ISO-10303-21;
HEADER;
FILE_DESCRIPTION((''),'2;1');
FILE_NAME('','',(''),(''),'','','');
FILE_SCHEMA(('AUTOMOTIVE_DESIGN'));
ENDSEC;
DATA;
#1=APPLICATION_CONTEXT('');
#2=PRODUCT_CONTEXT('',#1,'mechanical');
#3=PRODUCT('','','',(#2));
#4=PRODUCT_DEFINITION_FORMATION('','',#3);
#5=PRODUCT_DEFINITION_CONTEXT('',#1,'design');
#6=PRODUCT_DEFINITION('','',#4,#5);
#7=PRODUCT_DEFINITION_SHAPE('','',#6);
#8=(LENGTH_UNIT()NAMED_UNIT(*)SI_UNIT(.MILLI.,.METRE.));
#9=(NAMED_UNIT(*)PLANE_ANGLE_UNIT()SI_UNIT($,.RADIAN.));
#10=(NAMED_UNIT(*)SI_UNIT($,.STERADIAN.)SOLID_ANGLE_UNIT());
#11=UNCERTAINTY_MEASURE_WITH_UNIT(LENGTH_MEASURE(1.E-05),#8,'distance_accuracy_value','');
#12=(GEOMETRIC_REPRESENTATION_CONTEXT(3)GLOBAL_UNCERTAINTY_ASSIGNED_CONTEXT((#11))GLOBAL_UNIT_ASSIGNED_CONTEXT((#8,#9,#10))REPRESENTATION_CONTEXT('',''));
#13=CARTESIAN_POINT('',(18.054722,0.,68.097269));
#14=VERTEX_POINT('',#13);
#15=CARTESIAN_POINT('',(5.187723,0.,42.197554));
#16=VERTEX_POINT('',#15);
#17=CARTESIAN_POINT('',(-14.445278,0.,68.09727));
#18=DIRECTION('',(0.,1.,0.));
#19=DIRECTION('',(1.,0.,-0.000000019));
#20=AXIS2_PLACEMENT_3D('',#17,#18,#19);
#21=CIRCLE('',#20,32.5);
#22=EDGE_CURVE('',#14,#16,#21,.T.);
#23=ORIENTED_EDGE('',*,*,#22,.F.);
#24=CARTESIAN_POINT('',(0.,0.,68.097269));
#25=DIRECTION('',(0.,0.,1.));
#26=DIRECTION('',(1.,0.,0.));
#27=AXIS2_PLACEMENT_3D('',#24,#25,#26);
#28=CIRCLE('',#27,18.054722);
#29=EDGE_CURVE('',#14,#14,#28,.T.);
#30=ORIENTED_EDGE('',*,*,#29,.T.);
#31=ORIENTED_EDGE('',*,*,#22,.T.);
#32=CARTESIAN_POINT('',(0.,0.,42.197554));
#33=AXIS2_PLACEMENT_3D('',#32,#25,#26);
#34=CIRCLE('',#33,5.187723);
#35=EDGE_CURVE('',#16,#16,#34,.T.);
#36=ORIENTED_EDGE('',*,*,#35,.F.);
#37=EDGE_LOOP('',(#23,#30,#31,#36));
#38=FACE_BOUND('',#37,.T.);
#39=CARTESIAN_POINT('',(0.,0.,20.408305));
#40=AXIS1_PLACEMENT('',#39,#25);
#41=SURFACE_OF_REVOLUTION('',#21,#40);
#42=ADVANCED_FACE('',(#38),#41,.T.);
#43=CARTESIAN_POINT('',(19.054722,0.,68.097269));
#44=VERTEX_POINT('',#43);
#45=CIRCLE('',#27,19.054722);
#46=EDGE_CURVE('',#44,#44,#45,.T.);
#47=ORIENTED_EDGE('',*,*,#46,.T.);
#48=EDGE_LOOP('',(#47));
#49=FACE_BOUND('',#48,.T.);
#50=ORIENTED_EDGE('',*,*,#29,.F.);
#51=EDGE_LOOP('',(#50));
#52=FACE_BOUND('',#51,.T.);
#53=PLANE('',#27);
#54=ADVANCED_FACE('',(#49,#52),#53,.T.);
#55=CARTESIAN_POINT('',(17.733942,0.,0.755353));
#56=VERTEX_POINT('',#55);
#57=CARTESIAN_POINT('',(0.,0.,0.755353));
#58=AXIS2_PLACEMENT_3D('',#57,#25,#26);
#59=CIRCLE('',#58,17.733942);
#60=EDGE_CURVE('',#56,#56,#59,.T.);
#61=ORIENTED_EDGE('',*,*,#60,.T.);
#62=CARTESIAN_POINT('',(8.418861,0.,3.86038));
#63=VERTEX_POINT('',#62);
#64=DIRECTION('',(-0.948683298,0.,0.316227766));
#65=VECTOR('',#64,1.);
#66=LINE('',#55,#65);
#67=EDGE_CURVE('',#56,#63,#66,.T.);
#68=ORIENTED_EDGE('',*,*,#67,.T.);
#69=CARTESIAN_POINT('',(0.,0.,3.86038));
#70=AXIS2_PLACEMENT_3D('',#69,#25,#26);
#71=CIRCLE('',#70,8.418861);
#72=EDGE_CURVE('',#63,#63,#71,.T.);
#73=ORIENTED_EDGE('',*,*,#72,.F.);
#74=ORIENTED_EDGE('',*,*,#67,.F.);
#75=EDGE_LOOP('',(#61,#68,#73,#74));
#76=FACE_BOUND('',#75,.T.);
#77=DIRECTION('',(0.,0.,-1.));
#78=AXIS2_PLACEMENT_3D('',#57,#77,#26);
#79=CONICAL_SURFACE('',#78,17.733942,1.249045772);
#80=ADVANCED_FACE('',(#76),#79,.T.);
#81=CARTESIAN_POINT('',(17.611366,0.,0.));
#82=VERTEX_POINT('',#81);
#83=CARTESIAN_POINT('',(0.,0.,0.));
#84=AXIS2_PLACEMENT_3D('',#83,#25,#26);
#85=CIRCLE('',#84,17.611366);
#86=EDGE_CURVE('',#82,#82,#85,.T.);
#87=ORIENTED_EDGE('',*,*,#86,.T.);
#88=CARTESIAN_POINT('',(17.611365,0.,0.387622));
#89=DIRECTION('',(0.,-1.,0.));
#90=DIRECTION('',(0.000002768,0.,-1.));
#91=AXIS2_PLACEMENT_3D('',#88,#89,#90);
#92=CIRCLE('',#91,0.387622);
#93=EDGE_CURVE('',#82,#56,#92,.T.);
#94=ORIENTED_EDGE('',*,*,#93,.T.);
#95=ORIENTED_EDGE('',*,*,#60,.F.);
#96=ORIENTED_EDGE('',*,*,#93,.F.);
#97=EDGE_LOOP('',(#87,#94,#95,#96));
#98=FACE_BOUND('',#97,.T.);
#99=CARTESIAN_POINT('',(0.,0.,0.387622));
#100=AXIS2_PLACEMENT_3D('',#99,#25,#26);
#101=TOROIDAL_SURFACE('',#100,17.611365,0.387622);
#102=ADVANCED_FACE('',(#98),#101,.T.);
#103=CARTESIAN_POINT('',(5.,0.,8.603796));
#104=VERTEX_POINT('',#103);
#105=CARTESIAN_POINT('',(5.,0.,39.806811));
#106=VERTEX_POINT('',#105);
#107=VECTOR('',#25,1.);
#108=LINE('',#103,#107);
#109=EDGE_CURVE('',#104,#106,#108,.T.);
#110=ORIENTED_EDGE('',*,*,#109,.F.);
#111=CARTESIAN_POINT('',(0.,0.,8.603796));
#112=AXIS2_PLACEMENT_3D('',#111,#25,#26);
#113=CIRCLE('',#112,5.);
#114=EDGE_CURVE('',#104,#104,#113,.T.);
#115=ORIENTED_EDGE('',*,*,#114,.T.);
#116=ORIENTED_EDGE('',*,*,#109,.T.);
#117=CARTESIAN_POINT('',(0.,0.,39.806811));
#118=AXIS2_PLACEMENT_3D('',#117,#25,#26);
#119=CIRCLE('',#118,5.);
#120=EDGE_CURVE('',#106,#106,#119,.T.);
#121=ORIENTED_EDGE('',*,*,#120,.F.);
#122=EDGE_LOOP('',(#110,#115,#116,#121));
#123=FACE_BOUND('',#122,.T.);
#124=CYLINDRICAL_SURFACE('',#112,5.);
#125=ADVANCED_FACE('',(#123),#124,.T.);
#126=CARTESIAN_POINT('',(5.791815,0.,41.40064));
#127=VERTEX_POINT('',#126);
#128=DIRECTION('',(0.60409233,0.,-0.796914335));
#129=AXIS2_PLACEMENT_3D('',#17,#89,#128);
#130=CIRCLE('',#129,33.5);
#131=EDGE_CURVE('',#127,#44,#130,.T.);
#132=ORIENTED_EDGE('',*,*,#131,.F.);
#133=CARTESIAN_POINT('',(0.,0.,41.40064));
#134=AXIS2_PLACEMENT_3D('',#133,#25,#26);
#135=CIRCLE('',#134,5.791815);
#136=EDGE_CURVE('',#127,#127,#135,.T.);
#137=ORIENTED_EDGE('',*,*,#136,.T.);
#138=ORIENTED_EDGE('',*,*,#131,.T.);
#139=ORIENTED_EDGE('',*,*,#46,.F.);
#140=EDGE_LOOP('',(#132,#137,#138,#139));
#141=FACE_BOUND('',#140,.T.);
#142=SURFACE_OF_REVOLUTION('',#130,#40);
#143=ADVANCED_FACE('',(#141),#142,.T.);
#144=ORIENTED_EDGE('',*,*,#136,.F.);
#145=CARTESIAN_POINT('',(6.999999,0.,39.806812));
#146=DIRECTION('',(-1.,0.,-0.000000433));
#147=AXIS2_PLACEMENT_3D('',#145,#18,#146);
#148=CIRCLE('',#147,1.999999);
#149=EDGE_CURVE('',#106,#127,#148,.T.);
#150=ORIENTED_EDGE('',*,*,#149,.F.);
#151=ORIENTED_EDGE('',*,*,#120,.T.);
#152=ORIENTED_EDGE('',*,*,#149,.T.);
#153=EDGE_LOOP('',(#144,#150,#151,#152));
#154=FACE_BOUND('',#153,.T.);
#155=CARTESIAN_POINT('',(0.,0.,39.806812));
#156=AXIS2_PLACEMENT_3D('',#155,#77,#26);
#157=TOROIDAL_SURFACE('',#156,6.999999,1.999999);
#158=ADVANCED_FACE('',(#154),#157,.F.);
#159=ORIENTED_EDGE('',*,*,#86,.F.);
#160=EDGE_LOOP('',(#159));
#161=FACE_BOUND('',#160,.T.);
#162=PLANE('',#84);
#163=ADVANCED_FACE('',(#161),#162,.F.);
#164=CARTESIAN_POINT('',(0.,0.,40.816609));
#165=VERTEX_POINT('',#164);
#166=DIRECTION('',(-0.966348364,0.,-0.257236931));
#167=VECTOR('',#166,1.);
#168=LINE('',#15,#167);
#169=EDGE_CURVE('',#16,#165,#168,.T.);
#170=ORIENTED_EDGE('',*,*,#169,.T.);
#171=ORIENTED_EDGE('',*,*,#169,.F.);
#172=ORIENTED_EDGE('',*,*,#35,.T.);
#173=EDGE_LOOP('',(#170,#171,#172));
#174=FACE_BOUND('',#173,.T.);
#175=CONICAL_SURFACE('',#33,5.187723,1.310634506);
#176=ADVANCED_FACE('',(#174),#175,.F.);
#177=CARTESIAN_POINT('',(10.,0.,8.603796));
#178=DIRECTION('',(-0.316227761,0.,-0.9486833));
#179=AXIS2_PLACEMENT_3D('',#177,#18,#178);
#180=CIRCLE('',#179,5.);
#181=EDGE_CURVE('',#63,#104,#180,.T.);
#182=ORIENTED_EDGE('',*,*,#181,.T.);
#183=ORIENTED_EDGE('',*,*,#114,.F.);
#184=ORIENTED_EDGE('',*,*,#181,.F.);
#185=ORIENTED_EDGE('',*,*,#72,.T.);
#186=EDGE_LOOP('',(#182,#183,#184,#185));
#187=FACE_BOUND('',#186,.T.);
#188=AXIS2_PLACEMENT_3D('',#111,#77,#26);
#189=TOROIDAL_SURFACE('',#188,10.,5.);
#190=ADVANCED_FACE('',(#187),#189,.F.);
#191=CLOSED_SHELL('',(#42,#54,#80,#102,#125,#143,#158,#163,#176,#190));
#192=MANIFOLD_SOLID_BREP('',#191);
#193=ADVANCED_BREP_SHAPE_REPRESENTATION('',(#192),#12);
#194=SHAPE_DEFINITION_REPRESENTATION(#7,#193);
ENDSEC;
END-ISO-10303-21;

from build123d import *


with BuildPart() as f1:
    # F0 (on Front) → F1 (revolve)
    with BuildSketch(Plane.XZ):
        with BuildLine():
            Line((0, 40.816609), (0, 0))
            Line((0, 0), (17.611366, 0))
            ThreePointArc((17.611366, 0), (17.993982, 0.325532), (17.733942, 0.755353))
            Line((17.733942, 0.755353), (8.418861, 3.86038))
            ThreePointArc((8.418861, 3.86038), (5.943789, 5.680245), (5, 8.603796))
            Line((5, 8.603796), (5, 39.806811))
            ThreePointArc((5, 39.806811), (5.208859, 40.696651), (5.791815, 41.40064))
            ThreePointArc((5.791815, 41.40064), (15.556327, 53.192449), (19.054722, 68.097269))
            Line((19.054722, 68.097269), (18.054722, 68.097269))
            ThreePointArc((18.054722, 68.097269), (14.660757, 53.637369), (5.187723, 42.197554))
            Line((5.187723, 42.197554), (0, 40.816609))
        make_face()
    revolve(axis=Axis((0, 0, 20.408305), (0, 0, 1)))


solid = f1.part
